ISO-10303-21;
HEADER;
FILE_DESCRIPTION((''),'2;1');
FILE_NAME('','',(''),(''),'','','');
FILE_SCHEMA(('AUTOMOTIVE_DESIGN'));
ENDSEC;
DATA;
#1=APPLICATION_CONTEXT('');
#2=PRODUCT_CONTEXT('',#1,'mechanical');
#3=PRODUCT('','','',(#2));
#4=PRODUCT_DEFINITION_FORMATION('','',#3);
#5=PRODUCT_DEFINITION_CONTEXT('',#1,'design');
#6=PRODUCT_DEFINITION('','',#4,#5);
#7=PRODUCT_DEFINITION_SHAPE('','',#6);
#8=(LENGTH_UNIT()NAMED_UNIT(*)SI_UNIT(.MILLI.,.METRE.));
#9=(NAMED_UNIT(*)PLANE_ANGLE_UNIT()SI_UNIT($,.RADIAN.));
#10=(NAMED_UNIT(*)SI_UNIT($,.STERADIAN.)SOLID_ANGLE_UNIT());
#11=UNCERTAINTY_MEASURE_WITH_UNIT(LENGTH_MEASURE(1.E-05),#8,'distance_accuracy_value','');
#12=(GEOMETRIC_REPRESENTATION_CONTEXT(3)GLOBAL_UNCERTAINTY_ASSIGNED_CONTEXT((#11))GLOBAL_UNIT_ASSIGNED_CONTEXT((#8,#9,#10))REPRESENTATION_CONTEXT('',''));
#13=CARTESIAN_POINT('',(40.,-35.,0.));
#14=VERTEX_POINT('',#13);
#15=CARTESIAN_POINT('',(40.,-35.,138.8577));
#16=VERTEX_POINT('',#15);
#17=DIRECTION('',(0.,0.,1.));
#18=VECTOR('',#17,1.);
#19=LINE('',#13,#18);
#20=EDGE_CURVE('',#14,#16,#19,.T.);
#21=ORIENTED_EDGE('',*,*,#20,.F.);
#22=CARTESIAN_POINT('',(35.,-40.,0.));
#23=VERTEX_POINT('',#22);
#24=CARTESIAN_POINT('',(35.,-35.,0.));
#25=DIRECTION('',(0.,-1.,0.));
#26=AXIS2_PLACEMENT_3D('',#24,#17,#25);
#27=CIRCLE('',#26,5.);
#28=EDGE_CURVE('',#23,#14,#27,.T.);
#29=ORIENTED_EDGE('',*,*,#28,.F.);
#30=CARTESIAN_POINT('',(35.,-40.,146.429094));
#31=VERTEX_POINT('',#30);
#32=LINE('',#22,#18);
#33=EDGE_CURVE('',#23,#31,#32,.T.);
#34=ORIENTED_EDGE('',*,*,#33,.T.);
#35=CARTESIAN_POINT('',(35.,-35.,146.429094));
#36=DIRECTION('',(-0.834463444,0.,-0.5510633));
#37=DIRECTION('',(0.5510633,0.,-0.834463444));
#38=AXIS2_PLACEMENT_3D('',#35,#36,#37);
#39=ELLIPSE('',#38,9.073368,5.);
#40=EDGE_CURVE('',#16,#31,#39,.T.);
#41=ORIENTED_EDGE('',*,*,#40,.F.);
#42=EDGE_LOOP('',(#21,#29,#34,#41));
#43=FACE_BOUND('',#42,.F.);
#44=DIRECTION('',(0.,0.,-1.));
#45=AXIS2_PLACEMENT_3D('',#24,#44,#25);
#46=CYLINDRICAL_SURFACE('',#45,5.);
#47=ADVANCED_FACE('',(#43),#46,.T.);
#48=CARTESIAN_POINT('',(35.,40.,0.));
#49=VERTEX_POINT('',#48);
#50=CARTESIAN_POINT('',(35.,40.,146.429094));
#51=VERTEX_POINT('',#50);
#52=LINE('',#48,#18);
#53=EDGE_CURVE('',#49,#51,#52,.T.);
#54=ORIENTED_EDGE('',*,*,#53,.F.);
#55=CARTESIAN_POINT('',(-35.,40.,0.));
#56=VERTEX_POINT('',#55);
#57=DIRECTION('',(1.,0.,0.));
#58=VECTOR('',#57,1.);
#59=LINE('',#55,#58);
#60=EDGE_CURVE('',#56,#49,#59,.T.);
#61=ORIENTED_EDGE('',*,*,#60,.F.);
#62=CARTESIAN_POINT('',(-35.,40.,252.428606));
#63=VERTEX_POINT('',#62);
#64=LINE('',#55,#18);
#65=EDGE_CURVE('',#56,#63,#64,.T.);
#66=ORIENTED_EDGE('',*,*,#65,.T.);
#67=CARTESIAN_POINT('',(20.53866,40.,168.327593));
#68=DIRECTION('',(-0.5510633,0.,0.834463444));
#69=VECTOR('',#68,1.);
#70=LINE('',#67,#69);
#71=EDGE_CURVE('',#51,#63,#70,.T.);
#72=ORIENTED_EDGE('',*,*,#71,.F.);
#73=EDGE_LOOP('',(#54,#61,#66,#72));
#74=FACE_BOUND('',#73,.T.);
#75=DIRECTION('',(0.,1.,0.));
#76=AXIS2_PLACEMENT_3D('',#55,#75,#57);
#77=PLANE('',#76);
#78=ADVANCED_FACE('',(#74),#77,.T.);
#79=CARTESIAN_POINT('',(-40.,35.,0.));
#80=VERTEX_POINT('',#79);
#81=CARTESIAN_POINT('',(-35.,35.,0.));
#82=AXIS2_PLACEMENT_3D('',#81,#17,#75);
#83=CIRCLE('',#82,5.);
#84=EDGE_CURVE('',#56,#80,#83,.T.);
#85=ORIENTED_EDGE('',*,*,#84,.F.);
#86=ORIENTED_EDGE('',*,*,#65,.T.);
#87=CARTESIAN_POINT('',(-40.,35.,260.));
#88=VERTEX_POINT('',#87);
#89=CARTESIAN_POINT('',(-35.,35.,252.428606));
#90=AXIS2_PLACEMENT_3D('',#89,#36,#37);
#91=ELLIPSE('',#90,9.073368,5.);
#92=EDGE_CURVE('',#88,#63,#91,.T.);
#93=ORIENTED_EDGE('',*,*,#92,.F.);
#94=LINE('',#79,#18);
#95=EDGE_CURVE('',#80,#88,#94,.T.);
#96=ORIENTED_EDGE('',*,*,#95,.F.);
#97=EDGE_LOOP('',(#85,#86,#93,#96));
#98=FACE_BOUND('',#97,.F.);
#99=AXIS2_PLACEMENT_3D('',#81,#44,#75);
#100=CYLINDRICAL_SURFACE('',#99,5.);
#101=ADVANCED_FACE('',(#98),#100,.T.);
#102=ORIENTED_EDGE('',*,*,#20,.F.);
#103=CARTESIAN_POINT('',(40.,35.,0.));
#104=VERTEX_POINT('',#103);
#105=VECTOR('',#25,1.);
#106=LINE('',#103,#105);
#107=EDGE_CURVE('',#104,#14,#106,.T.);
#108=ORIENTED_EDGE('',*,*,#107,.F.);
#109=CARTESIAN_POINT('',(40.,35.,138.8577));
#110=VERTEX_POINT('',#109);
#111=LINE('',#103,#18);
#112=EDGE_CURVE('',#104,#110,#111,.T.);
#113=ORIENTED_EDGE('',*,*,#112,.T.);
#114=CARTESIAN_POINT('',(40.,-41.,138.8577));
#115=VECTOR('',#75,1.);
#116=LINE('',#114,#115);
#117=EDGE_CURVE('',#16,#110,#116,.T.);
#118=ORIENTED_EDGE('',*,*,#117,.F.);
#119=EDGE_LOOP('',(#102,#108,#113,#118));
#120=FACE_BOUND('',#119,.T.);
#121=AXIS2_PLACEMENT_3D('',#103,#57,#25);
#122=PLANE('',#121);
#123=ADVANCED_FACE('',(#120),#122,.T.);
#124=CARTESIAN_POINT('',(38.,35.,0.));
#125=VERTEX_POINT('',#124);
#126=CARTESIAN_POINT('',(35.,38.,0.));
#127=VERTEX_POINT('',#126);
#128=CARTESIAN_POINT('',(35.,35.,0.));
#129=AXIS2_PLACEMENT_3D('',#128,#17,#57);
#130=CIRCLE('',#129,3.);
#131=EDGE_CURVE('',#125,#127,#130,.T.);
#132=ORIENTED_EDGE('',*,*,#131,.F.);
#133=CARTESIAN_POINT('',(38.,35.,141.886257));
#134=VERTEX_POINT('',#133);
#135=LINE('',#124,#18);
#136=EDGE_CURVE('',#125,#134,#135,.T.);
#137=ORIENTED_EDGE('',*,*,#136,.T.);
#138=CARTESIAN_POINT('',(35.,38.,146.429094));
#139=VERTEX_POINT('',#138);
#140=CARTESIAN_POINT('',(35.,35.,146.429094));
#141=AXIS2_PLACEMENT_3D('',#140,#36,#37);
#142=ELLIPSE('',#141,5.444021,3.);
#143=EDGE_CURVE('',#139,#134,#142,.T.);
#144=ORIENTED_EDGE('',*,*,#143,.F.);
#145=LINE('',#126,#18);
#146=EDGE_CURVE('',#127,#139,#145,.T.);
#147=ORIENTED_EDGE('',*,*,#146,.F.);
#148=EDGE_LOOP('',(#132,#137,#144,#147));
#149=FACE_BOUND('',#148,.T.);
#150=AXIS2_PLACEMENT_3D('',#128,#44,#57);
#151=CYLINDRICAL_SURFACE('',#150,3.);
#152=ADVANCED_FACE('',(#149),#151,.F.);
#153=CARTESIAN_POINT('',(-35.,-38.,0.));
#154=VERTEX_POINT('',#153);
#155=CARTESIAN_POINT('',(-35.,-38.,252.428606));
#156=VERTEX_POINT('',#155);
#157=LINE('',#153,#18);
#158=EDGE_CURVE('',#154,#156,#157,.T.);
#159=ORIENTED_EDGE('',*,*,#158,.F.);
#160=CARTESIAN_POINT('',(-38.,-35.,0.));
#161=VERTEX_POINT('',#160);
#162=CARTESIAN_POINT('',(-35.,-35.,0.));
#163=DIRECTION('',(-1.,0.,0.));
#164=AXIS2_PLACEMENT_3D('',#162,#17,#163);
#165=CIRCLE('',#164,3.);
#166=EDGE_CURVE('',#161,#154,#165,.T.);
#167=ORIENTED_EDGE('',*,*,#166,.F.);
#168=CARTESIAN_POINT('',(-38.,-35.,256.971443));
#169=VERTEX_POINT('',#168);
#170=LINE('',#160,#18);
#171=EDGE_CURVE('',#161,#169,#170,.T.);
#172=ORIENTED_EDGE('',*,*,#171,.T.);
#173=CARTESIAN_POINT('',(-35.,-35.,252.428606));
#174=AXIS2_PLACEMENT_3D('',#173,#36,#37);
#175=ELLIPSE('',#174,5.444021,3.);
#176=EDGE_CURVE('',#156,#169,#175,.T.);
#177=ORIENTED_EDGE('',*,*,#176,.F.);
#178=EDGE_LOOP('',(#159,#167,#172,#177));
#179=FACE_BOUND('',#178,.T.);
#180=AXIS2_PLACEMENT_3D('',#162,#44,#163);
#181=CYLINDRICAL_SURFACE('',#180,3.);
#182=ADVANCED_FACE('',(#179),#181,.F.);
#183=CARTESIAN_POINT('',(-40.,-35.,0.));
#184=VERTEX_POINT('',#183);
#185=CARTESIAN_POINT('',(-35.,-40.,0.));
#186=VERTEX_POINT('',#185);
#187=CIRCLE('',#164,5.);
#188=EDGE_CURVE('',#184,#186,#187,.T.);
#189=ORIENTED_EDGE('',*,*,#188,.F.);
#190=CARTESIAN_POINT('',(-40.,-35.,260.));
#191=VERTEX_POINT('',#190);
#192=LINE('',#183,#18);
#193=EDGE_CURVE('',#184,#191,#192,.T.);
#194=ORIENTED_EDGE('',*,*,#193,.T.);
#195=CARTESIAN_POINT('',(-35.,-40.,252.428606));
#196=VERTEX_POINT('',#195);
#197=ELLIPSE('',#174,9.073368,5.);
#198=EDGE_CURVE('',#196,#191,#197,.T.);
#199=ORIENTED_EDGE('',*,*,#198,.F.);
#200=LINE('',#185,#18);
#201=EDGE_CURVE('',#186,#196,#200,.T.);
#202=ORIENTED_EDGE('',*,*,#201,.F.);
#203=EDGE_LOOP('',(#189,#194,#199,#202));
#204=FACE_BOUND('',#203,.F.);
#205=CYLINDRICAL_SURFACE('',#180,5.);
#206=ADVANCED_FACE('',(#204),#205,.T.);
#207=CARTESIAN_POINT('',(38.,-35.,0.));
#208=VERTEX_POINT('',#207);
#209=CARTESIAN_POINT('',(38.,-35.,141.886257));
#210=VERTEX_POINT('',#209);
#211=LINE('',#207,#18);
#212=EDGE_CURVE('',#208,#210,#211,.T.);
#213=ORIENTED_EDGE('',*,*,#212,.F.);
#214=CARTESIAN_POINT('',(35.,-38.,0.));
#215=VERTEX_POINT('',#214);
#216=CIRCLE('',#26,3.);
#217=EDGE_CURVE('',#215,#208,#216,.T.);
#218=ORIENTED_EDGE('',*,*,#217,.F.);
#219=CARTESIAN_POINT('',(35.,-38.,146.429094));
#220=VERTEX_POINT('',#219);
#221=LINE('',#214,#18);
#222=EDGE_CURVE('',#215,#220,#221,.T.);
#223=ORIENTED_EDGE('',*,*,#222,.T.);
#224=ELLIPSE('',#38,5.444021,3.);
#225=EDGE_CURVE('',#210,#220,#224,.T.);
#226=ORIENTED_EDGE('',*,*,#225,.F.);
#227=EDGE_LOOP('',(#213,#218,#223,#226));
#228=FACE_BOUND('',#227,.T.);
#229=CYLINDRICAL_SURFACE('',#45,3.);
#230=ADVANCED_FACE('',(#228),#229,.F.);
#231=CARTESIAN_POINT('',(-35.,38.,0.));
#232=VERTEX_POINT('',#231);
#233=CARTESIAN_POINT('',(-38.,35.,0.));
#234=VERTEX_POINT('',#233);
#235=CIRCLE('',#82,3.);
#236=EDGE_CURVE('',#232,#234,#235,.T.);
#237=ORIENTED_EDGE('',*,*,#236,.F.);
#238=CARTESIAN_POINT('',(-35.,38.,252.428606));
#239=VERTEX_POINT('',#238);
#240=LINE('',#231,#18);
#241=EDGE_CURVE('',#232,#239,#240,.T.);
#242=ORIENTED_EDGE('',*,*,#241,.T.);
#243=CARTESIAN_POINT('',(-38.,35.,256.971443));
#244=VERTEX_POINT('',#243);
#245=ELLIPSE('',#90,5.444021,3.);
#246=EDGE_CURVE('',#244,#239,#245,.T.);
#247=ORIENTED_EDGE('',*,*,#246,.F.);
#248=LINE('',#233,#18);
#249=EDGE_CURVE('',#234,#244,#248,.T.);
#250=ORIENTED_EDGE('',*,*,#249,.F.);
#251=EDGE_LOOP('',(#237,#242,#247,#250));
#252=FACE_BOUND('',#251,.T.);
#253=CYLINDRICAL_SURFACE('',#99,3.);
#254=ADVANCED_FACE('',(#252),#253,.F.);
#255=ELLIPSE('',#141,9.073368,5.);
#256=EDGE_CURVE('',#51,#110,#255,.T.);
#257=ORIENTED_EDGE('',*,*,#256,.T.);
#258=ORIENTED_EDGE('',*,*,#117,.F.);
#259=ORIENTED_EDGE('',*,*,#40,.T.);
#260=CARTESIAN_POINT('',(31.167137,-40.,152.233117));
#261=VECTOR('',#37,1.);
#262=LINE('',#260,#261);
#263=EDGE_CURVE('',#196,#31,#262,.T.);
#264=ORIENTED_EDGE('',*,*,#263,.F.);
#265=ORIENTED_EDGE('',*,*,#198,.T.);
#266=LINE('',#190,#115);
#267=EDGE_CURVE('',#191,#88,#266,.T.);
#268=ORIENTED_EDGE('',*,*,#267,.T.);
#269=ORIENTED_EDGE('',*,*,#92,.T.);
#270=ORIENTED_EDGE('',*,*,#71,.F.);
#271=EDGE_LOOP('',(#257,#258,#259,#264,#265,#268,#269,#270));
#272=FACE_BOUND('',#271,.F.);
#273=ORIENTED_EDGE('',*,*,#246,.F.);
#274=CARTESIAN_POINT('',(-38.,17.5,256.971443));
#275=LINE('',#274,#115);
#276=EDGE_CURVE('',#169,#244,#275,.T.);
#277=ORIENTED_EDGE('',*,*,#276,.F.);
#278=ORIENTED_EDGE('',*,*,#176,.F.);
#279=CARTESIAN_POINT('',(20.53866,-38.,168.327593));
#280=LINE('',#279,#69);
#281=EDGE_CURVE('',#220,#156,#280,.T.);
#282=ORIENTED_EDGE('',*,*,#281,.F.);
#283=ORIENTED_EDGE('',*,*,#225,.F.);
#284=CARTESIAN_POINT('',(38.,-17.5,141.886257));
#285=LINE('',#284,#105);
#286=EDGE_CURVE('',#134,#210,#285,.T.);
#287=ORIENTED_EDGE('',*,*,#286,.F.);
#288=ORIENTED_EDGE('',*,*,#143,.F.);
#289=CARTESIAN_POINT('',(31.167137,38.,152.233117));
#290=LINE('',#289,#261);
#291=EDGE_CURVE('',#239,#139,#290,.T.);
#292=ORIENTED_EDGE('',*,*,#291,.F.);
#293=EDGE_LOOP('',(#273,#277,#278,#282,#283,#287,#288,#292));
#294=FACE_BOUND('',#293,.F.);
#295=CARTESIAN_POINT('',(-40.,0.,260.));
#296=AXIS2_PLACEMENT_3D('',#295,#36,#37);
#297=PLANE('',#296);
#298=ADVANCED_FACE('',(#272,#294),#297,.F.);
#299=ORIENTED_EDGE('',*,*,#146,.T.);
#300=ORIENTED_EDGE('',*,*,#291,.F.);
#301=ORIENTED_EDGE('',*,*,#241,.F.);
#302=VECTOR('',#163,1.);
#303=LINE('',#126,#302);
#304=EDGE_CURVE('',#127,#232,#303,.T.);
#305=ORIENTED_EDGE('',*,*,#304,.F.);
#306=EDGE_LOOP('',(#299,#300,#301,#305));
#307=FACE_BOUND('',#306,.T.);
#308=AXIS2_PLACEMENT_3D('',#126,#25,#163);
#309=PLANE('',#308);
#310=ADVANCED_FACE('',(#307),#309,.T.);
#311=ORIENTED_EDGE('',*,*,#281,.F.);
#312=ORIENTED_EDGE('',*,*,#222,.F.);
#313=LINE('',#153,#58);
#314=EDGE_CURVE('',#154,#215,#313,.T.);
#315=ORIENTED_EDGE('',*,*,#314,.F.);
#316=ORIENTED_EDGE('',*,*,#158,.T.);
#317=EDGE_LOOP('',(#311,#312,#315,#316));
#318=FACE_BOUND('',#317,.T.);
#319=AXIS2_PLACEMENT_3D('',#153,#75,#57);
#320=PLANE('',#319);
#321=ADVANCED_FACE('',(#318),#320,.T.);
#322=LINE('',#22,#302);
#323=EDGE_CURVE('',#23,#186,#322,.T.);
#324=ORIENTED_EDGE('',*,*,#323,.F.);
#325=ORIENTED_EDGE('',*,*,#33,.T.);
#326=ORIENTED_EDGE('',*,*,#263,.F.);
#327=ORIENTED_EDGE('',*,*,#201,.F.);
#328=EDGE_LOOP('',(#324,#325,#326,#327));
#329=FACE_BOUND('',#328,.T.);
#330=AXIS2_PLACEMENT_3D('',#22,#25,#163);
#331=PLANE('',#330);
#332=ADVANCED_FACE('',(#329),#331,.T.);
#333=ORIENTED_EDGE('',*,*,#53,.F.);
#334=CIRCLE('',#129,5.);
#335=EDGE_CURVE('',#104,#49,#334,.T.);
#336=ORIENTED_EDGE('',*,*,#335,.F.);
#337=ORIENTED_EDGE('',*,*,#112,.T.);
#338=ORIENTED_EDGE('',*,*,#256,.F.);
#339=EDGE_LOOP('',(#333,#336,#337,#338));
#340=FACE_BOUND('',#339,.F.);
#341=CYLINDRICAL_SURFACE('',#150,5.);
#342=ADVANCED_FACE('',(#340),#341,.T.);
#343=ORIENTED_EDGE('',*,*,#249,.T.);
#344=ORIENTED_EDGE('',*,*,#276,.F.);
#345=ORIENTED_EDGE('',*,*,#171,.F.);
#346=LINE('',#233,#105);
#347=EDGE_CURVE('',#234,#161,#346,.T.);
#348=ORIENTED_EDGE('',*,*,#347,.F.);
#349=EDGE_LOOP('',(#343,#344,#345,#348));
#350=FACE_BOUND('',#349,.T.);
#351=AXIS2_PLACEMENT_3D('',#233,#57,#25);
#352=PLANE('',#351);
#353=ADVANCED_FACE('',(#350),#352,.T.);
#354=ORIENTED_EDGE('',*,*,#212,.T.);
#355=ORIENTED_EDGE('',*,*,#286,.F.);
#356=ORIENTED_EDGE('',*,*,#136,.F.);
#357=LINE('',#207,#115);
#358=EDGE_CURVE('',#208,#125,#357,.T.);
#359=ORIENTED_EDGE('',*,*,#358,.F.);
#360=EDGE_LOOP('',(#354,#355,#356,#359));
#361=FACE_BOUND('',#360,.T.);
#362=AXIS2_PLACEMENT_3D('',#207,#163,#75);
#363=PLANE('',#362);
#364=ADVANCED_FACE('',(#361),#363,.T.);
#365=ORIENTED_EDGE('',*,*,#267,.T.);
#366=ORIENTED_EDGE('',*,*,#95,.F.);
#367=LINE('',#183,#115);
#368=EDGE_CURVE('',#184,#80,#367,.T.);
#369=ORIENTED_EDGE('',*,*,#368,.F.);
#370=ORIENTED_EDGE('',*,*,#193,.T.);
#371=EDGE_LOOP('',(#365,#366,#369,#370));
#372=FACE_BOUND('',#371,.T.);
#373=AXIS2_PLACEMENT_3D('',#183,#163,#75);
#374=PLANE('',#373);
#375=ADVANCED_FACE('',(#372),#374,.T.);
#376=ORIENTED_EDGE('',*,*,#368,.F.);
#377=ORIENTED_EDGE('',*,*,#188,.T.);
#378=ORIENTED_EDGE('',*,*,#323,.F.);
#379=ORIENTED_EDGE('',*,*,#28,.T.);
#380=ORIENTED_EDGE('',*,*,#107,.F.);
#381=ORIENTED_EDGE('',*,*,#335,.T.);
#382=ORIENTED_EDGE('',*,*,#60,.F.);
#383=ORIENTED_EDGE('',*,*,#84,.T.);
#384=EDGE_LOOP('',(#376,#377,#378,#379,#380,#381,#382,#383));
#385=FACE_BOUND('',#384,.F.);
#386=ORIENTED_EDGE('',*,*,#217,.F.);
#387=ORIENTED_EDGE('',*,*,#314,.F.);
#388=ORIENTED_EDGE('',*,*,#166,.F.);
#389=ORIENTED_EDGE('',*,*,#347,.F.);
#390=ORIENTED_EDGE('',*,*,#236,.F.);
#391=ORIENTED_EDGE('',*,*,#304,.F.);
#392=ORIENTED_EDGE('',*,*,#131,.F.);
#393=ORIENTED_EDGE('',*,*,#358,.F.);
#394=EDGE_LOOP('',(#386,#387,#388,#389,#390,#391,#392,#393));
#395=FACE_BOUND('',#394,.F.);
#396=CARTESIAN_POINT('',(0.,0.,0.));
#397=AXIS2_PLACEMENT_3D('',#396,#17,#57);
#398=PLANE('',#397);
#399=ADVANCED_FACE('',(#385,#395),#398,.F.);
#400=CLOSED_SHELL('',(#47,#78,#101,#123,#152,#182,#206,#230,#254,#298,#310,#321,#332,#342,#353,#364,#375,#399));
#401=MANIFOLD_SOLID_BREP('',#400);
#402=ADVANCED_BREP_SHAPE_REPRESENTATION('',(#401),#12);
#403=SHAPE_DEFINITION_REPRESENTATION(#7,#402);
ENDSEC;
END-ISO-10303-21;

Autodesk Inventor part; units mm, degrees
ref_plane "YZ Plane" through (0, 0, 0) normal (1, 0, 0) x (0, 1, 0)
ref_plane "XZ Plane" through (0, 0, 0) normal (0, 1, 0) x (-1, 0, 0)
ref_plane "XY Plane" through (0, 0, 0) normal (0, 0, 1) x (1, 0, 0)
sketch "Sketch1" plane through (0, 0, 0) normal (0, 0, 1) x (1, 0, 0)
  line L0 (-35, 40) -> (35, 40)
  line L1 (40, 35) -> (40, -35)
  line L2 (35, -40) -> (-35, -40)
  line L3 (-40, -35) -> (-40, 35)
  line L4 (-40, 40) -> (40, -40) construction
  line L5 (40, 40) -> (-40, -40) construction
  arc A0 (-35, 40) -> (-40, 35) centre (-35, 35) ccw
  arc A1 (40, 35) -> (35, 40) centre (35, 35) ccw
  arc A2 (35, -40) -> (40, -35) centre (35, -35) ccw
  arc A3 (-40, -35) -> (-35, -40) centre (-35, -35) ccw
  line L6 (35, 38) -> (-35, 38)
  arc A4 (-35, 38) -> (-38, 35) centre (-35, 35) ccw
  line L7 (-38, 35) -> (-38, -35)
  arc A5 (-38, -35) -> (-35, -38) centre (-35, -35) ccw
  line L8 (-35, -38) -> (35, -38)
  arc A6 (35, -38) -> (38, -35) centre (35, -35) ccw
  line L9 (38, -35) -> (38, 35)
  arc A7 (38, 35) -> (35, 38) centre (35, 35) ccw
  point P0 (0, 0)
  dimension "d0" = 80
  dimension "d1" = 5
  dimension "d2" = 2
extrude "Extrusion1" add sketch "Sketch1" along normal blind 260
sketch "Sketch2" plane through (0, 0, 0) normal (0, 1, 0) x (-1, 0, 0)
  line L0 (40, 0) -> (40, 260) projected
  line L1 (-40, 0) -> (-40, 260) projected
  line L2 (40, 260) -> (-40, 260)
  line L3 (40, 260) -> (-40, 138.8577)
  point P0 (0, 0)
  dimension "d5" = 123.44
extrude "Extrusion2" cut sketch "Sketch2" along normal through all both and the other way through all
properties part number "MSC 903 BASE TUBE"
